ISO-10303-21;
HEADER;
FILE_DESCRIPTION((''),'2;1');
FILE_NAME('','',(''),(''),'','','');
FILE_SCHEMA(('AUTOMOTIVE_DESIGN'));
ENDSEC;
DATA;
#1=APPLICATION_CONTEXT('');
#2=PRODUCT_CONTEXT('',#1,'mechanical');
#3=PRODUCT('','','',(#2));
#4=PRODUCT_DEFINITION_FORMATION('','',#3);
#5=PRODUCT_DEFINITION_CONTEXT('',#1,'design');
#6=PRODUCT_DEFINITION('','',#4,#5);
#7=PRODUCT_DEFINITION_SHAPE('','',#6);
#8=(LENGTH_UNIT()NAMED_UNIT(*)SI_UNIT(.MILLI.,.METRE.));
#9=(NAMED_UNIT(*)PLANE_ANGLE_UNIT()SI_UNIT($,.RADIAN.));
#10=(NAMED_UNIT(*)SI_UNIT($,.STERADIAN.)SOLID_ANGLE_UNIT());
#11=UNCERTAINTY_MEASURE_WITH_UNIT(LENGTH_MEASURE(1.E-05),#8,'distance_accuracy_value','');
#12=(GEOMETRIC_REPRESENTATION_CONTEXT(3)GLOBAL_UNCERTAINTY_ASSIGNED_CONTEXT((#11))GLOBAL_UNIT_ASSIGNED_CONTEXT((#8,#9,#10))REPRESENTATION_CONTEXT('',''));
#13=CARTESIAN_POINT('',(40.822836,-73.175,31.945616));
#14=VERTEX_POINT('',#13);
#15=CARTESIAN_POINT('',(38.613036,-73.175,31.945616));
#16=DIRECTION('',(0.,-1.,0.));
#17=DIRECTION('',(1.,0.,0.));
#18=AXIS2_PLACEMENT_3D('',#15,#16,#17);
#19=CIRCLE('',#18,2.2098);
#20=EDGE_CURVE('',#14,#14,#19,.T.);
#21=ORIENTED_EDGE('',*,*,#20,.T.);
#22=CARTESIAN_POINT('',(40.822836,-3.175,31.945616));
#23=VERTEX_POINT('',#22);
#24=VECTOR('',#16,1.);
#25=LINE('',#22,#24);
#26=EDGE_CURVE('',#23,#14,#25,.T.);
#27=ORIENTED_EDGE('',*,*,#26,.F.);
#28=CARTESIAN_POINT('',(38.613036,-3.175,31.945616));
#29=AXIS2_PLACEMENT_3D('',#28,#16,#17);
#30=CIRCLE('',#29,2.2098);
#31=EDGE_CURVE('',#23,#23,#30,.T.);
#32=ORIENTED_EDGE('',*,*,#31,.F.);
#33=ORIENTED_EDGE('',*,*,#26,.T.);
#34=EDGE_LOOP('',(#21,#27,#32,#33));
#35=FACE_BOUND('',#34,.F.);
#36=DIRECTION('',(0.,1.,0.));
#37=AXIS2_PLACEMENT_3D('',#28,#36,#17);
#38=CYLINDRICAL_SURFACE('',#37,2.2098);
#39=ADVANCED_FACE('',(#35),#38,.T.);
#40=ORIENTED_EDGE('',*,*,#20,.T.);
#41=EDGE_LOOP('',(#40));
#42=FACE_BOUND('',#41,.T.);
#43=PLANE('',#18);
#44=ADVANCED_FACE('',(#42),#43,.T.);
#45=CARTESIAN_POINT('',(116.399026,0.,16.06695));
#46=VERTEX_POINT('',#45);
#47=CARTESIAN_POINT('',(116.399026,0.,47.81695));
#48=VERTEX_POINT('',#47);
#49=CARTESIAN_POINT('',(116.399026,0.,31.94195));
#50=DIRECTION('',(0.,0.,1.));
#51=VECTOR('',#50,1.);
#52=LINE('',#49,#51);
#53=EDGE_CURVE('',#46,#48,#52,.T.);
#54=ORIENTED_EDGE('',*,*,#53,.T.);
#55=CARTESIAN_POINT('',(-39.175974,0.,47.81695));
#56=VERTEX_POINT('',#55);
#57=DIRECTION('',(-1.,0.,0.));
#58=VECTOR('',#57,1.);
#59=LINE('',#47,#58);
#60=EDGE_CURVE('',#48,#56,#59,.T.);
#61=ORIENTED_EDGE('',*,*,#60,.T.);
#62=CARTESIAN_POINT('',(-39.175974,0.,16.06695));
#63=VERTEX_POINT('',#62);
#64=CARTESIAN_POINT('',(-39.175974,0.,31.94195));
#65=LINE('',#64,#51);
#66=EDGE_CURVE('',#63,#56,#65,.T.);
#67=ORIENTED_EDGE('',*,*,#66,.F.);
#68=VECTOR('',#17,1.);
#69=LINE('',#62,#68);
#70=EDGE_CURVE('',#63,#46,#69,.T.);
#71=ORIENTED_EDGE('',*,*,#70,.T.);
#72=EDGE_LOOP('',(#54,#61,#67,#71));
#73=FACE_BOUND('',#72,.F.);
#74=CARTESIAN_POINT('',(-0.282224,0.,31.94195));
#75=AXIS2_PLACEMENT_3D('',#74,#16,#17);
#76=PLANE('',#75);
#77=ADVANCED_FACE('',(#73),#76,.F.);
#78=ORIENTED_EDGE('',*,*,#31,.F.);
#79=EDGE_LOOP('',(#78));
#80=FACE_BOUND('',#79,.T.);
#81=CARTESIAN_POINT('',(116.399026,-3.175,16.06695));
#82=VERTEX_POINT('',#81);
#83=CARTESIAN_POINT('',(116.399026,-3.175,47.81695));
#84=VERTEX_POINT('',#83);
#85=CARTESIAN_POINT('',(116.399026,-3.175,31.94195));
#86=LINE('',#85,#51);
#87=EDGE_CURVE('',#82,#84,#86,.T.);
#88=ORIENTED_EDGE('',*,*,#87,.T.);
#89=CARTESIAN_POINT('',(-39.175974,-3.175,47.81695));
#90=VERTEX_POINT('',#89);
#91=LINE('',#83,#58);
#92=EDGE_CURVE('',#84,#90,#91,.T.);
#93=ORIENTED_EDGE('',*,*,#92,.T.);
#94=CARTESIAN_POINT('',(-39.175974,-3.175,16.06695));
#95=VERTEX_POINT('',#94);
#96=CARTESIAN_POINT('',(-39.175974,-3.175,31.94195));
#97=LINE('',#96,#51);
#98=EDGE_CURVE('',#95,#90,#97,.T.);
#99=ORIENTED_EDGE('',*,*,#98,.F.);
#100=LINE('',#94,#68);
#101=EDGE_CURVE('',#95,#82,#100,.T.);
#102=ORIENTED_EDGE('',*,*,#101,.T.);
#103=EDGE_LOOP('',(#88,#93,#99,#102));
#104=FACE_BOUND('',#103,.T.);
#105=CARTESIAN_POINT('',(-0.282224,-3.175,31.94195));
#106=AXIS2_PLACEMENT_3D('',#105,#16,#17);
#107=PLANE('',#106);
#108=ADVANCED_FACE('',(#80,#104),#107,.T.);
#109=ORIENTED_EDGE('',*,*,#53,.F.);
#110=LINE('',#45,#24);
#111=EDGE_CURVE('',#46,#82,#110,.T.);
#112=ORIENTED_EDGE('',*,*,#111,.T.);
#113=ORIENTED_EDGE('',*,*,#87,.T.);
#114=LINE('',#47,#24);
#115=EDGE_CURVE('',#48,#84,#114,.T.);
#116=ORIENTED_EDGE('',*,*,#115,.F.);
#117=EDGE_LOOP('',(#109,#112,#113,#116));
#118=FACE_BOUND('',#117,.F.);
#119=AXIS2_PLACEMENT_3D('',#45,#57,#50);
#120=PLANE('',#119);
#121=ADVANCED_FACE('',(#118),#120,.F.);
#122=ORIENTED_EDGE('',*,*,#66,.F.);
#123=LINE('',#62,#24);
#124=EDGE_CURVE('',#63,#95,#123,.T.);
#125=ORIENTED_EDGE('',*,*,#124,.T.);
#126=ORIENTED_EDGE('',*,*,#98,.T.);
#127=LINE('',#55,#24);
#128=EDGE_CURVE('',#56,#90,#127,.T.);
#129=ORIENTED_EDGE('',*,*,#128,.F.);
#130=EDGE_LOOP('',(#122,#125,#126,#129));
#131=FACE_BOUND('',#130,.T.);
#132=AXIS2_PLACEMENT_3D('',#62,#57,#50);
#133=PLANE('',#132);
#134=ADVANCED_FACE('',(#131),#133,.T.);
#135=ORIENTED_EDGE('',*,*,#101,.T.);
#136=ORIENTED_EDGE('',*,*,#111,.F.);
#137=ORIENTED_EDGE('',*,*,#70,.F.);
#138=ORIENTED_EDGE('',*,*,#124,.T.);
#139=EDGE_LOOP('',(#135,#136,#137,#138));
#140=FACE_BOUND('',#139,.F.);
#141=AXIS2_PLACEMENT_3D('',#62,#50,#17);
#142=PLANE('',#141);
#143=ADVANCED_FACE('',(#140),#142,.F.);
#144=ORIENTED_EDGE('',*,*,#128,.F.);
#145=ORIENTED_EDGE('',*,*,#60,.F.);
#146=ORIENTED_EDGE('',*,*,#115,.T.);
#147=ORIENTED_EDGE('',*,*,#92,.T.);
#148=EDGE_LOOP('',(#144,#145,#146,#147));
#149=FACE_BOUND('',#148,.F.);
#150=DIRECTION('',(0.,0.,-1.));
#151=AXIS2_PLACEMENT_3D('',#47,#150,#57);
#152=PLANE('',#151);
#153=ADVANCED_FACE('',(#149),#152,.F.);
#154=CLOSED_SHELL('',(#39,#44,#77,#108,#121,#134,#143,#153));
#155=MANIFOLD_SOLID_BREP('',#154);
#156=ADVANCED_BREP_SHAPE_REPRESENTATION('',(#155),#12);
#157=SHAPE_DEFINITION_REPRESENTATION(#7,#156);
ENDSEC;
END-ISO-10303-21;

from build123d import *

# Parameters (mm, degrees)
F0_W     = 77.7875
F0_H     = 31.75
F1_DEPTH = 3.175
F3_R     = 2.2098
F4_DEPTH = 70


with BuildPart() as f1:
    # F0 (on Front) → F1 (new body)
    with BuildSketch(Plane.XZ):
        with Locations((-0.282224, 31.94195)):
            Rectangle(F0_W, F0_H)
        with Locations((77.505276, 31.94195)):
            Rectangle(F0_W, F0_H)
    extrude(amount=F1_DEPTH)

    # F3 (on face) → F4 (join)
    with BuildSketch(Plane.XZ.offset(3.175)):
        with Locations((38.613036, 31.945616)):
            Circle(F3_R)
    extrude(amount=F4_DEPTH)


solid = f1.part
